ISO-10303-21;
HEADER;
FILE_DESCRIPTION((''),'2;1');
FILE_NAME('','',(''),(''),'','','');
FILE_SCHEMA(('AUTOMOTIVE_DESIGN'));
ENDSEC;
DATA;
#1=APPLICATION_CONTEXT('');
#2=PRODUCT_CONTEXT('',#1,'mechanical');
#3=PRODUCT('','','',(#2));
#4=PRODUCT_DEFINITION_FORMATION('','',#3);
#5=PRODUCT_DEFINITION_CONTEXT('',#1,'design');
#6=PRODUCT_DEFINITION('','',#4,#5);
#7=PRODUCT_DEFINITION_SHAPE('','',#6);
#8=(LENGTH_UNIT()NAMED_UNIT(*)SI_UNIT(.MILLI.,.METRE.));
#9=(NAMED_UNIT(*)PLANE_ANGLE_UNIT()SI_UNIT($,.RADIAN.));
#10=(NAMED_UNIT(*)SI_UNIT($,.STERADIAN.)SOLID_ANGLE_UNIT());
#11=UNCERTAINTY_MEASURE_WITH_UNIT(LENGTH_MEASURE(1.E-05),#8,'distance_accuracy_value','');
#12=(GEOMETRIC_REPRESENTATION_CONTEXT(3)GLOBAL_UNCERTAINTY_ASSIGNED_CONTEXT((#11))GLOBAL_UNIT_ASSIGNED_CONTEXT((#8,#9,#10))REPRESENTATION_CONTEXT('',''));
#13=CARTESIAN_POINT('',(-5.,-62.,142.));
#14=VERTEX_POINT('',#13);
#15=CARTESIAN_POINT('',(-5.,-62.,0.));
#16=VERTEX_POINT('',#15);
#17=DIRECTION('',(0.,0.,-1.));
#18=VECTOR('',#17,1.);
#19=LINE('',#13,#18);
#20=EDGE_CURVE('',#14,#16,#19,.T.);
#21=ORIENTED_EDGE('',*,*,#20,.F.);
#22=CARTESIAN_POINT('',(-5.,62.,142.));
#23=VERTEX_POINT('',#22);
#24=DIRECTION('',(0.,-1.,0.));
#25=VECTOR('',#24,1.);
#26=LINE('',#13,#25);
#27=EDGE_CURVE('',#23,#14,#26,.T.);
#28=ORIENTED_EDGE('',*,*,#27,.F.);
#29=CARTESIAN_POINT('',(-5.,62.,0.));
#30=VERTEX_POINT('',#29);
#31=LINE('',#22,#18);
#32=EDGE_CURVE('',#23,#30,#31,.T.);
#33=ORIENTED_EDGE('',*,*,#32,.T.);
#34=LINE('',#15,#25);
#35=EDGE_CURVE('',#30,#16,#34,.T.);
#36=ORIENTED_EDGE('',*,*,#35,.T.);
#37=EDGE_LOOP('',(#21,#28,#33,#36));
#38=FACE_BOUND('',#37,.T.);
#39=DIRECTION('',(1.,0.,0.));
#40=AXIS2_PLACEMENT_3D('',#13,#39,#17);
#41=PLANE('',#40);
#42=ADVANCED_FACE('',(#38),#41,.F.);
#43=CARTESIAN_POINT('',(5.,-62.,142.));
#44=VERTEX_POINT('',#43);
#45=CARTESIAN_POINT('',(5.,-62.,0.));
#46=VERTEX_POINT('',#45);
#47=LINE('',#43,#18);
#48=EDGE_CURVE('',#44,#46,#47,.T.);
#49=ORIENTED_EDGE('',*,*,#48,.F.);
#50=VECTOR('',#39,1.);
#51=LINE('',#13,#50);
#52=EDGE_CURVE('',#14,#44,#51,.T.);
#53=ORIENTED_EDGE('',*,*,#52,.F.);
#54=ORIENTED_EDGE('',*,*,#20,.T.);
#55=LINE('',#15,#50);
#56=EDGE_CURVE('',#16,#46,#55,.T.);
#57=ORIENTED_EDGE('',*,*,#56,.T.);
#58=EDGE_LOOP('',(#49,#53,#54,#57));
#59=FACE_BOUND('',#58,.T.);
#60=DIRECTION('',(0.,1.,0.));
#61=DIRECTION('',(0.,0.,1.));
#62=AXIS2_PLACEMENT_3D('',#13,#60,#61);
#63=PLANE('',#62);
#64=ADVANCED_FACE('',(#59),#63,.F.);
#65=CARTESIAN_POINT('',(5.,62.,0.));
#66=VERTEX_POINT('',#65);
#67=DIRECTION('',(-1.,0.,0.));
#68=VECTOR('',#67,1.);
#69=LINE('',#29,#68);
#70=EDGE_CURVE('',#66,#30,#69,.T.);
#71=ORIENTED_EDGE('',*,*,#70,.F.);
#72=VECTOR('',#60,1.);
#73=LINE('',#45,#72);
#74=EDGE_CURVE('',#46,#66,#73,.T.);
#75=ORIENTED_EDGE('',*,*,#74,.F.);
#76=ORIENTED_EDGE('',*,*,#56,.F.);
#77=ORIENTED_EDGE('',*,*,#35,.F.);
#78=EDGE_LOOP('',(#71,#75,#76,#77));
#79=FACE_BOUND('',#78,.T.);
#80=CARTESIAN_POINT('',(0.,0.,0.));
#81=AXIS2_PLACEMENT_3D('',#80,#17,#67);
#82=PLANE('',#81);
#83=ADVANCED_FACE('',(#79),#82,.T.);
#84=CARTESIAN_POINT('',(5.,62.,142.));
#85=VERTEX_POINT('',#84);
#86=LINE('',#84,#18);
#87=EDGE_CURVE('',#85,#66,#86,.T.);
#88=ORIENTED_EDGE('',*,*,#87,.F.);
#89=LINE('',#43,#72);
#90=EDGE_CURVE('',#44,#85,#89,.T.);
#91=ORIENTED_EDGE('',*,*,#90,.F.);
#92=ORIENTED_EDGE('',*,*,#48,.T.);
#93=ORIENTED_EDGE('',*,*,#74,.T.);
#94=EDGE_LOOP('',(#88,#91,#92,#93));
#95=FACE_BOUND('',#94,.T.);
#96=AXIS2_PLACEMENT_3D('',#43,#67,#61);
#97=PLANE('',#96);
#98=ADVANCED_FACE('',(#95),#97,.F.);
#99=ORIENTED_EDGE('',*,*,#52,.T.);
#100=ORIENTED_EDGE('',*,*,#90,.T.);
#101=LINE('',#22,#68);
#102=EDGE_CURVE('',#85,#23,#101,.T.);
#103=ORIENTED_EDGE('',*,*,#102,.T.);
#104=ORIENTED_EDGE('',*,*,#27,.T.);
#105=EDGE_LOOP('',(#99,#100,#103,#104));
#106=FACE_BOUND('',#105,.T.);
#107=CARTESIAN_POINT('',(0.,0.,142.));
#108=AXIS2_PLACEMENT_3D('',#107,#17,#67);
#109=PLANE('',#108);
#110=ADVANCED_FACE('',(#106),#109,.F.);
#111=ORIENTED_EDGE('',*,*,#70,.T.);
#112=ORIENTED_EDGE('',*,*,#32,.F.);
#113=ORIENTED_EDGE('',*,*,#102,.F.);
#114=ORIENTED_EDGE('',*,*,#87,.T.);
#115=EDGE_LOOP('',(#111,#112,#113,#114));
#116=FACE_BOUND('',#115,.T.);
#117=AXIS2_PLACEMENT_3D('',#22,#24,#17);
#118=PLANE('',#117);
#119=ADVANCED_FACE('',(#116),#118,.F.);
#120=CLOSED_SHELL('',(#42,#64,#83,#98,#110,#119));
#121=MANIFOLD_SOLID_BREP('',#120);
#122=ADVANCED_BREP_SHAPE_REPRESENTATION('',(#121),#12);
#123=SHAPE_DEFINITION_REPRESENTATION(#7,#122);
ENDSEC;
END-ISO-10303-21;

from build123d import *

# Parameters (mm, degrees)
CROQUIS1_W              = 10
CROQUIS1_H              = 124
SALIENTE_EXTRUIR3_DEPTH = 142


with BuildPart() as part:
    # Croquis1 → Saliente-Extruir3 (new body)
    with BuildSketch(Plane.XY):
        Rectangle(CROQUIS1_W, CROQUIS1_H)
    extrude(amount=SALIENTE_EXTRUIR3_DEPTH)


solid = part.part
